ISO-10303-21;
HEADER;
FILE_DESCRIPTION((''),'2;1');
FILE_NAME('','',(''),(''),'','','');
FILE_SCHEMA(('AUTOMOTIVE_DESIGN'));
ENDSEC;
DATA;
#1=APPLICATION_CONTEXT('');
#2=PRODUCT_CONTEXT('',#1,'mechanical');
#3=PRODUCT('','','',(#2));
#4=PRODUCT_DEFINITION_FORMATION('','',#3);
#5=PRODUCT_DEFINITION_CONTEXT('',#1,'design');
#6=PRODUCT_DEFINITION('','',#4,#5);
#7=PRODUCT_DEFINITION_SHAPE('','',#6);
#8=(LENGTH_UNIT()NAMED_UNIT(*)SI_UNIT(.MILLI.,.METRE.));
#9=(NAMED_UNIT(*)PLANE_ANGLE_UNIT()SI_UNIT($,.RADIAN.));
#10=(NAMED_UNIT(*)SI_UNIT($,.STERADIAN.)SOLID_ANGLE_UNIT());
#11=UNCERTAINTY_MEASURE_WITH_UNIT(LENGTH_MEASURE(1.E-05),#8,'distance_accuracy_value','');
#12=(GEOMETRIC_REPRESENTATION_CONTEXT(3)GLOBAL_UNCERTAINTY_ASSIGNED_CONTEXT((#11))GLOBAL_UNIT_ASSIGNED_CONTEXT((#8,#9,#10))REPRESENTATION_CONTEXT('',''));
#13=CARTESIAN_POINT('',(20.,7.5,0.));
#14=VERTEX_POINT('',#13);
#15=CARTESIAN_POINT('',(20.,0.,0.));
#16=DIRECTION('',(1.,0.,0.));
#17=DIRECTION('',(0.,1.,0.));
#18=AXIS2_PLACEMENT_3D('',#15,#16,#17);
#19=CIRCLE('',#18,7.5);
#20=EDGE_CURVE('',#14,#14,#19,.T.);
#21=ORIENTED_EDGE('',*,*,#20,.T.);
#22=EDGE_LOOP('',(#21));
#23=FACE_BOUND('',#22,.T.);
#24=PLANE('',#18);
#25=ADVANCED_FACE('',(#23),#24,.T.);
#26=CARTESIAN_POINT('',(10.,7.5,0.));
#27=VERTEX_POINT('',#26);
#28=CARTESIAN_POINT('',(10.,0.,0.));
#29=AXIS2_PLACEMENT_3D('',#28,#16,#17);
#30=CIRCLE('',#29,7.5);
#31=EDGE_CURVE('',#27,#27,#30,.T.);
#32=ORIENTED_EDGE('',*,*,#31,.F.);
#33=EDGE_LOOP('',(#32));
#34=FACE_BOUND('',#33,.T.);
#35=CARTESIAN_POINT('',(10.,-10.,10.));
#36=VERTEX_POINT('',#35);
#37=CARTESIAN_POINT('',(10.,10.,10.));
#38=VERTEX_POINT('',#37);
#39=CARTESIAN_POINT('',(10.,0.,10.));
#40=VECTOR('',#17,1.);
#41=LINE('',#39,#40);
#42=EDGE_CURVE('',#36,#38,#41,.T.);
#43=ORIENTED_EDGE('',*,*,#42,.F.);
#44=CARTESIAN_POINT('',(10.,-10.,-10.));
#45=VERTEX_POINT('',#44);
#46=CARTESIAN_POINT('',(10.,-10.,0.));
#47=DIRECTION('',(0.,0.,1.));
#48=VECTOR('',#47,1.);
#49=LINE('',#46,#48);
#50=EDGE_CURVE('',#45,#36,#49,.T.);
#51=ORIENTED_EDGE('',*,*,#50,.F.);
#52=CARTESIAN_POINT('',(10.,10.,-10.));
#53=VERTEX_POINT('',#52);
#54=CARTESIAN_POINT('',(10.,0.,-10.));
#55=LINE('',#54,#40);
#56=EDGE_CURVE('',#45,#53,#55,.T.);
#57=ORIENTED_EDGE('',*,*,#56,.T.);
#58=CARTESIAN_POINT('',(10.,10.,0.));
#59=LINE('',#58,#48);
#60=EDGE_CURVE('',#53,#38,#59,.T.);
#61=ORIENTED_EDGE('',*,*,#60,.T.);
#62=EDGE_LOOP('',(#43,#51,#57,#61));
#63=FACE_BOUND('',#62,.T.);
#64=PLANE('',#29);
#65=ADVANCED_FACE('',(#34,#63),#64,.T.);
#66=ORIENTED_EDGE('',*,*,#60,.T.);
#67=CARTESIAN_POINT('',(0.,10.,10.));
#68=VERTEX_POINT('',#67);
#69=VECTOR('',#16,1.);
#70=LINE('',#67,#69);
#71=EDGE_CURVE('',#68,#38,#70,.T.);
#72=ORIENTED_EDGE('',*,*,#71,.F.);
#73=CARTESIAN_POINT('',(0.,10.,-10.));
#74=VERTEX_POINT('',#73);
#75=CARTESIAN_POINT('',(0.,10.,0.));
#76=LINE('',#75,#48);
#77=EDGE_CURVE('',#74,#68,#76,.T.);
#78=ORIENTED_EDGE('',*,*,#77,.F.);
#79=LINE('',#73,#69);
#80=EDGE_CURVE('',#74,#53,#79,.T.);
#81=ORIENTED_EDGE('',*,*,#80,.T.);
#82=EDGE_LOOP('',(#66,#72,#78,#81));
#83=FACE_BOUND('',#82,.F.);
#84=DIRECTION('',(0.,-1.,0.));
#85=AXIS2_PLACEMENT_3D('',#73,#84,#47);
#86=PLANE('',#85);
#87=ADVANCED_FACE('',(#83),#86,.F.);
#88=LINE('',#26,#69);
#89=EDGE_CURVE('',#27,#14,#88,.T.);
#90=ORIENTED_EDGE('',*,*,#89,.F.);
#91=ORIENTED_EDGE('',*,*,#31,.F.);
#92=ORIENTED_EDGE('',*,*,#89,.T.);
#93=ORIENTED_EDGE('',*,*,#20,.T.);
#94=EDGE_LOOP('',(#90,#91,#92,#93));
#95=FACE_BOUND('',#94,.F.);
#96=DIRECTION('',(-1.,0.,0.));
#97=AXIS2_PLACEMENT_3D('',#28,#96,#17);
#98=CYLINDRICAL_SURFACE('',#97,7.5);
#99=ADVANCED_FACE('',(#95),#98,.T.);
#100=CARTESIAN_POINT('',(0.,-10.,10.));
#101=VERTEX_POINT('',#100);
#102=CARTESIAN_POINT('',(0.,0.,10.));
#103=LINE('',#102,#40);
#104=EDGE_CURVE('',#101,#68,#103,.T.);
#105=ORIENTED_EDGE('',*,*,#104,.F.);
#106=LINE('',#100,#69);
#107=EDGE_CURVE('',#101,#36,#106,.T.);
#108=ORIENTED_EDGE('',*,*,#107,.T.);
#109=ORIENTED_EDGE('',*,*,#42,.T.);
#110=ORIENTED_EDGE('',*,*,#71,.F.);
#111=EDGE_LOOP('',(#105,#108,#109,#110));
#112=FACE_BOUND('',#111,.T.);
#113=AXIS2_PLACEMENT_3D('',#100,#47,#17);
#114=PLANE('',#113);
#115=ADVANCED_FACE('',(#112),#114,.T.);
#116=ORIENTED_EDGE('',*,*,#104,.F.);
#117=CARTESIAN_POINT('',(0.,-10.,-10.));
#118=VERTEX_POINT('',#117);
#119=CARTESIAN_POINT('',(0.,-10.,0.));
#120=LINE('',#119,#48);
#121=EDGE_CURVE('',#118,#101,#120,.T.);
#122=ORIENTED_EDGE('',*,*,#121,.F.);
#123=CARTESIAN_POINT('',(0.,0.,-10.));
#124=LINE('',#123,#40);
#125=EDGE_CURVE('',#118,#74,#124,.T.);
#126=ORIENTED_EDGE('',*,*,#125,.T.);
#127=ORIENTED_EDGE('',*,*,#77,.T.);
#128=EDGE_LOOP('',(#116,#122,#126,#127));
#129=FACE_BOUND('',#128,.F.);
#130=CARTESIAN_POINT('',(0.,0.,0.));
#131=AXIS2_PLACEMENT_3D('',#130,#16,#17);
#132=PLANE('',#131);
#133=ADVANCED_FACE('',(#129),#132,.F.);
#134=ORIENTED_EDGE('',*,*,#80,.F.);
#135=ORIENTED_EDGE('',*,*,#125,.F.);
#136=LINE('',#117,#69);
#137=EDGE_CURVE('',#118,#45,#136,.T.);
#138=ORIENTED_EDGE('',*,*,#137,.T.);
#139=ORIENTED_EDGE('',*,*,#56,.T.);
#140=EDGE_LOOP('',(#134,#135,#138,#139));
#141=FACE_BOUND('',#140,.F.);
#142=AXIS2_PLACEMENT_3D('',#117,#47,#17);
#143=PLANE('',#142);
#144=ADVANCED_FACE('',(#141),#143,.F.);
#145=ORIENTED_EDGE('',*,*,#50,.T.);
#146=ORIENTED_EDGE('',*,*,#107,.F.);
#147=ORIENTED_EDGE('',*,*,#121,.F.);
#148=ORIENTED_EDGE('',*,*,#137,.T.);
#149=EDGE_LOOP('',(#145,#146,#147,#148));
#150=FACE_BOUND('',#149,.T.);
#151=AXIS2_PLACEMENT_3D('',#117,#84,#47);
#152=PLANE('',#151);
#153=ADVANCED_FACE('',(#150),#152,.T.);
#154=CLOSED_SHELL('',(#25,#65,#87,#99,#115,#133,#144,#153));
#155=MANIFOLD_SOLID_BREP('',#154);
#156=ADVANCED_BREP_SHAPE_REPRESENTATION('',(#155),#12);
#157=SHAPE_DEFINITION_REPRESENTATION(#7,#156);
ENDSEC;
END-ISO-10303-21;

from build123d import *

# Parameters (mm, degrees)
F0_W     = 20
F0_H     = 20
F1_DEPTH = 10
F2_R     = 7.5
F3_DEPTH = 10


with BuildPart() as f1:
    # F0 (on Right) → F1 (new body)
    with BuildSketch(Plane.YZ):
        Rectangle(F0_W, F0_H)
    extrude(amount=F1_DEPTH)

    # F2 (on face) → F3 (join)
    with BuildSketch(Plane.YZ.offset(10)):
        Circle(F2_R)
    extrude(amount=F3_DEPTH)


solid = f1.part
